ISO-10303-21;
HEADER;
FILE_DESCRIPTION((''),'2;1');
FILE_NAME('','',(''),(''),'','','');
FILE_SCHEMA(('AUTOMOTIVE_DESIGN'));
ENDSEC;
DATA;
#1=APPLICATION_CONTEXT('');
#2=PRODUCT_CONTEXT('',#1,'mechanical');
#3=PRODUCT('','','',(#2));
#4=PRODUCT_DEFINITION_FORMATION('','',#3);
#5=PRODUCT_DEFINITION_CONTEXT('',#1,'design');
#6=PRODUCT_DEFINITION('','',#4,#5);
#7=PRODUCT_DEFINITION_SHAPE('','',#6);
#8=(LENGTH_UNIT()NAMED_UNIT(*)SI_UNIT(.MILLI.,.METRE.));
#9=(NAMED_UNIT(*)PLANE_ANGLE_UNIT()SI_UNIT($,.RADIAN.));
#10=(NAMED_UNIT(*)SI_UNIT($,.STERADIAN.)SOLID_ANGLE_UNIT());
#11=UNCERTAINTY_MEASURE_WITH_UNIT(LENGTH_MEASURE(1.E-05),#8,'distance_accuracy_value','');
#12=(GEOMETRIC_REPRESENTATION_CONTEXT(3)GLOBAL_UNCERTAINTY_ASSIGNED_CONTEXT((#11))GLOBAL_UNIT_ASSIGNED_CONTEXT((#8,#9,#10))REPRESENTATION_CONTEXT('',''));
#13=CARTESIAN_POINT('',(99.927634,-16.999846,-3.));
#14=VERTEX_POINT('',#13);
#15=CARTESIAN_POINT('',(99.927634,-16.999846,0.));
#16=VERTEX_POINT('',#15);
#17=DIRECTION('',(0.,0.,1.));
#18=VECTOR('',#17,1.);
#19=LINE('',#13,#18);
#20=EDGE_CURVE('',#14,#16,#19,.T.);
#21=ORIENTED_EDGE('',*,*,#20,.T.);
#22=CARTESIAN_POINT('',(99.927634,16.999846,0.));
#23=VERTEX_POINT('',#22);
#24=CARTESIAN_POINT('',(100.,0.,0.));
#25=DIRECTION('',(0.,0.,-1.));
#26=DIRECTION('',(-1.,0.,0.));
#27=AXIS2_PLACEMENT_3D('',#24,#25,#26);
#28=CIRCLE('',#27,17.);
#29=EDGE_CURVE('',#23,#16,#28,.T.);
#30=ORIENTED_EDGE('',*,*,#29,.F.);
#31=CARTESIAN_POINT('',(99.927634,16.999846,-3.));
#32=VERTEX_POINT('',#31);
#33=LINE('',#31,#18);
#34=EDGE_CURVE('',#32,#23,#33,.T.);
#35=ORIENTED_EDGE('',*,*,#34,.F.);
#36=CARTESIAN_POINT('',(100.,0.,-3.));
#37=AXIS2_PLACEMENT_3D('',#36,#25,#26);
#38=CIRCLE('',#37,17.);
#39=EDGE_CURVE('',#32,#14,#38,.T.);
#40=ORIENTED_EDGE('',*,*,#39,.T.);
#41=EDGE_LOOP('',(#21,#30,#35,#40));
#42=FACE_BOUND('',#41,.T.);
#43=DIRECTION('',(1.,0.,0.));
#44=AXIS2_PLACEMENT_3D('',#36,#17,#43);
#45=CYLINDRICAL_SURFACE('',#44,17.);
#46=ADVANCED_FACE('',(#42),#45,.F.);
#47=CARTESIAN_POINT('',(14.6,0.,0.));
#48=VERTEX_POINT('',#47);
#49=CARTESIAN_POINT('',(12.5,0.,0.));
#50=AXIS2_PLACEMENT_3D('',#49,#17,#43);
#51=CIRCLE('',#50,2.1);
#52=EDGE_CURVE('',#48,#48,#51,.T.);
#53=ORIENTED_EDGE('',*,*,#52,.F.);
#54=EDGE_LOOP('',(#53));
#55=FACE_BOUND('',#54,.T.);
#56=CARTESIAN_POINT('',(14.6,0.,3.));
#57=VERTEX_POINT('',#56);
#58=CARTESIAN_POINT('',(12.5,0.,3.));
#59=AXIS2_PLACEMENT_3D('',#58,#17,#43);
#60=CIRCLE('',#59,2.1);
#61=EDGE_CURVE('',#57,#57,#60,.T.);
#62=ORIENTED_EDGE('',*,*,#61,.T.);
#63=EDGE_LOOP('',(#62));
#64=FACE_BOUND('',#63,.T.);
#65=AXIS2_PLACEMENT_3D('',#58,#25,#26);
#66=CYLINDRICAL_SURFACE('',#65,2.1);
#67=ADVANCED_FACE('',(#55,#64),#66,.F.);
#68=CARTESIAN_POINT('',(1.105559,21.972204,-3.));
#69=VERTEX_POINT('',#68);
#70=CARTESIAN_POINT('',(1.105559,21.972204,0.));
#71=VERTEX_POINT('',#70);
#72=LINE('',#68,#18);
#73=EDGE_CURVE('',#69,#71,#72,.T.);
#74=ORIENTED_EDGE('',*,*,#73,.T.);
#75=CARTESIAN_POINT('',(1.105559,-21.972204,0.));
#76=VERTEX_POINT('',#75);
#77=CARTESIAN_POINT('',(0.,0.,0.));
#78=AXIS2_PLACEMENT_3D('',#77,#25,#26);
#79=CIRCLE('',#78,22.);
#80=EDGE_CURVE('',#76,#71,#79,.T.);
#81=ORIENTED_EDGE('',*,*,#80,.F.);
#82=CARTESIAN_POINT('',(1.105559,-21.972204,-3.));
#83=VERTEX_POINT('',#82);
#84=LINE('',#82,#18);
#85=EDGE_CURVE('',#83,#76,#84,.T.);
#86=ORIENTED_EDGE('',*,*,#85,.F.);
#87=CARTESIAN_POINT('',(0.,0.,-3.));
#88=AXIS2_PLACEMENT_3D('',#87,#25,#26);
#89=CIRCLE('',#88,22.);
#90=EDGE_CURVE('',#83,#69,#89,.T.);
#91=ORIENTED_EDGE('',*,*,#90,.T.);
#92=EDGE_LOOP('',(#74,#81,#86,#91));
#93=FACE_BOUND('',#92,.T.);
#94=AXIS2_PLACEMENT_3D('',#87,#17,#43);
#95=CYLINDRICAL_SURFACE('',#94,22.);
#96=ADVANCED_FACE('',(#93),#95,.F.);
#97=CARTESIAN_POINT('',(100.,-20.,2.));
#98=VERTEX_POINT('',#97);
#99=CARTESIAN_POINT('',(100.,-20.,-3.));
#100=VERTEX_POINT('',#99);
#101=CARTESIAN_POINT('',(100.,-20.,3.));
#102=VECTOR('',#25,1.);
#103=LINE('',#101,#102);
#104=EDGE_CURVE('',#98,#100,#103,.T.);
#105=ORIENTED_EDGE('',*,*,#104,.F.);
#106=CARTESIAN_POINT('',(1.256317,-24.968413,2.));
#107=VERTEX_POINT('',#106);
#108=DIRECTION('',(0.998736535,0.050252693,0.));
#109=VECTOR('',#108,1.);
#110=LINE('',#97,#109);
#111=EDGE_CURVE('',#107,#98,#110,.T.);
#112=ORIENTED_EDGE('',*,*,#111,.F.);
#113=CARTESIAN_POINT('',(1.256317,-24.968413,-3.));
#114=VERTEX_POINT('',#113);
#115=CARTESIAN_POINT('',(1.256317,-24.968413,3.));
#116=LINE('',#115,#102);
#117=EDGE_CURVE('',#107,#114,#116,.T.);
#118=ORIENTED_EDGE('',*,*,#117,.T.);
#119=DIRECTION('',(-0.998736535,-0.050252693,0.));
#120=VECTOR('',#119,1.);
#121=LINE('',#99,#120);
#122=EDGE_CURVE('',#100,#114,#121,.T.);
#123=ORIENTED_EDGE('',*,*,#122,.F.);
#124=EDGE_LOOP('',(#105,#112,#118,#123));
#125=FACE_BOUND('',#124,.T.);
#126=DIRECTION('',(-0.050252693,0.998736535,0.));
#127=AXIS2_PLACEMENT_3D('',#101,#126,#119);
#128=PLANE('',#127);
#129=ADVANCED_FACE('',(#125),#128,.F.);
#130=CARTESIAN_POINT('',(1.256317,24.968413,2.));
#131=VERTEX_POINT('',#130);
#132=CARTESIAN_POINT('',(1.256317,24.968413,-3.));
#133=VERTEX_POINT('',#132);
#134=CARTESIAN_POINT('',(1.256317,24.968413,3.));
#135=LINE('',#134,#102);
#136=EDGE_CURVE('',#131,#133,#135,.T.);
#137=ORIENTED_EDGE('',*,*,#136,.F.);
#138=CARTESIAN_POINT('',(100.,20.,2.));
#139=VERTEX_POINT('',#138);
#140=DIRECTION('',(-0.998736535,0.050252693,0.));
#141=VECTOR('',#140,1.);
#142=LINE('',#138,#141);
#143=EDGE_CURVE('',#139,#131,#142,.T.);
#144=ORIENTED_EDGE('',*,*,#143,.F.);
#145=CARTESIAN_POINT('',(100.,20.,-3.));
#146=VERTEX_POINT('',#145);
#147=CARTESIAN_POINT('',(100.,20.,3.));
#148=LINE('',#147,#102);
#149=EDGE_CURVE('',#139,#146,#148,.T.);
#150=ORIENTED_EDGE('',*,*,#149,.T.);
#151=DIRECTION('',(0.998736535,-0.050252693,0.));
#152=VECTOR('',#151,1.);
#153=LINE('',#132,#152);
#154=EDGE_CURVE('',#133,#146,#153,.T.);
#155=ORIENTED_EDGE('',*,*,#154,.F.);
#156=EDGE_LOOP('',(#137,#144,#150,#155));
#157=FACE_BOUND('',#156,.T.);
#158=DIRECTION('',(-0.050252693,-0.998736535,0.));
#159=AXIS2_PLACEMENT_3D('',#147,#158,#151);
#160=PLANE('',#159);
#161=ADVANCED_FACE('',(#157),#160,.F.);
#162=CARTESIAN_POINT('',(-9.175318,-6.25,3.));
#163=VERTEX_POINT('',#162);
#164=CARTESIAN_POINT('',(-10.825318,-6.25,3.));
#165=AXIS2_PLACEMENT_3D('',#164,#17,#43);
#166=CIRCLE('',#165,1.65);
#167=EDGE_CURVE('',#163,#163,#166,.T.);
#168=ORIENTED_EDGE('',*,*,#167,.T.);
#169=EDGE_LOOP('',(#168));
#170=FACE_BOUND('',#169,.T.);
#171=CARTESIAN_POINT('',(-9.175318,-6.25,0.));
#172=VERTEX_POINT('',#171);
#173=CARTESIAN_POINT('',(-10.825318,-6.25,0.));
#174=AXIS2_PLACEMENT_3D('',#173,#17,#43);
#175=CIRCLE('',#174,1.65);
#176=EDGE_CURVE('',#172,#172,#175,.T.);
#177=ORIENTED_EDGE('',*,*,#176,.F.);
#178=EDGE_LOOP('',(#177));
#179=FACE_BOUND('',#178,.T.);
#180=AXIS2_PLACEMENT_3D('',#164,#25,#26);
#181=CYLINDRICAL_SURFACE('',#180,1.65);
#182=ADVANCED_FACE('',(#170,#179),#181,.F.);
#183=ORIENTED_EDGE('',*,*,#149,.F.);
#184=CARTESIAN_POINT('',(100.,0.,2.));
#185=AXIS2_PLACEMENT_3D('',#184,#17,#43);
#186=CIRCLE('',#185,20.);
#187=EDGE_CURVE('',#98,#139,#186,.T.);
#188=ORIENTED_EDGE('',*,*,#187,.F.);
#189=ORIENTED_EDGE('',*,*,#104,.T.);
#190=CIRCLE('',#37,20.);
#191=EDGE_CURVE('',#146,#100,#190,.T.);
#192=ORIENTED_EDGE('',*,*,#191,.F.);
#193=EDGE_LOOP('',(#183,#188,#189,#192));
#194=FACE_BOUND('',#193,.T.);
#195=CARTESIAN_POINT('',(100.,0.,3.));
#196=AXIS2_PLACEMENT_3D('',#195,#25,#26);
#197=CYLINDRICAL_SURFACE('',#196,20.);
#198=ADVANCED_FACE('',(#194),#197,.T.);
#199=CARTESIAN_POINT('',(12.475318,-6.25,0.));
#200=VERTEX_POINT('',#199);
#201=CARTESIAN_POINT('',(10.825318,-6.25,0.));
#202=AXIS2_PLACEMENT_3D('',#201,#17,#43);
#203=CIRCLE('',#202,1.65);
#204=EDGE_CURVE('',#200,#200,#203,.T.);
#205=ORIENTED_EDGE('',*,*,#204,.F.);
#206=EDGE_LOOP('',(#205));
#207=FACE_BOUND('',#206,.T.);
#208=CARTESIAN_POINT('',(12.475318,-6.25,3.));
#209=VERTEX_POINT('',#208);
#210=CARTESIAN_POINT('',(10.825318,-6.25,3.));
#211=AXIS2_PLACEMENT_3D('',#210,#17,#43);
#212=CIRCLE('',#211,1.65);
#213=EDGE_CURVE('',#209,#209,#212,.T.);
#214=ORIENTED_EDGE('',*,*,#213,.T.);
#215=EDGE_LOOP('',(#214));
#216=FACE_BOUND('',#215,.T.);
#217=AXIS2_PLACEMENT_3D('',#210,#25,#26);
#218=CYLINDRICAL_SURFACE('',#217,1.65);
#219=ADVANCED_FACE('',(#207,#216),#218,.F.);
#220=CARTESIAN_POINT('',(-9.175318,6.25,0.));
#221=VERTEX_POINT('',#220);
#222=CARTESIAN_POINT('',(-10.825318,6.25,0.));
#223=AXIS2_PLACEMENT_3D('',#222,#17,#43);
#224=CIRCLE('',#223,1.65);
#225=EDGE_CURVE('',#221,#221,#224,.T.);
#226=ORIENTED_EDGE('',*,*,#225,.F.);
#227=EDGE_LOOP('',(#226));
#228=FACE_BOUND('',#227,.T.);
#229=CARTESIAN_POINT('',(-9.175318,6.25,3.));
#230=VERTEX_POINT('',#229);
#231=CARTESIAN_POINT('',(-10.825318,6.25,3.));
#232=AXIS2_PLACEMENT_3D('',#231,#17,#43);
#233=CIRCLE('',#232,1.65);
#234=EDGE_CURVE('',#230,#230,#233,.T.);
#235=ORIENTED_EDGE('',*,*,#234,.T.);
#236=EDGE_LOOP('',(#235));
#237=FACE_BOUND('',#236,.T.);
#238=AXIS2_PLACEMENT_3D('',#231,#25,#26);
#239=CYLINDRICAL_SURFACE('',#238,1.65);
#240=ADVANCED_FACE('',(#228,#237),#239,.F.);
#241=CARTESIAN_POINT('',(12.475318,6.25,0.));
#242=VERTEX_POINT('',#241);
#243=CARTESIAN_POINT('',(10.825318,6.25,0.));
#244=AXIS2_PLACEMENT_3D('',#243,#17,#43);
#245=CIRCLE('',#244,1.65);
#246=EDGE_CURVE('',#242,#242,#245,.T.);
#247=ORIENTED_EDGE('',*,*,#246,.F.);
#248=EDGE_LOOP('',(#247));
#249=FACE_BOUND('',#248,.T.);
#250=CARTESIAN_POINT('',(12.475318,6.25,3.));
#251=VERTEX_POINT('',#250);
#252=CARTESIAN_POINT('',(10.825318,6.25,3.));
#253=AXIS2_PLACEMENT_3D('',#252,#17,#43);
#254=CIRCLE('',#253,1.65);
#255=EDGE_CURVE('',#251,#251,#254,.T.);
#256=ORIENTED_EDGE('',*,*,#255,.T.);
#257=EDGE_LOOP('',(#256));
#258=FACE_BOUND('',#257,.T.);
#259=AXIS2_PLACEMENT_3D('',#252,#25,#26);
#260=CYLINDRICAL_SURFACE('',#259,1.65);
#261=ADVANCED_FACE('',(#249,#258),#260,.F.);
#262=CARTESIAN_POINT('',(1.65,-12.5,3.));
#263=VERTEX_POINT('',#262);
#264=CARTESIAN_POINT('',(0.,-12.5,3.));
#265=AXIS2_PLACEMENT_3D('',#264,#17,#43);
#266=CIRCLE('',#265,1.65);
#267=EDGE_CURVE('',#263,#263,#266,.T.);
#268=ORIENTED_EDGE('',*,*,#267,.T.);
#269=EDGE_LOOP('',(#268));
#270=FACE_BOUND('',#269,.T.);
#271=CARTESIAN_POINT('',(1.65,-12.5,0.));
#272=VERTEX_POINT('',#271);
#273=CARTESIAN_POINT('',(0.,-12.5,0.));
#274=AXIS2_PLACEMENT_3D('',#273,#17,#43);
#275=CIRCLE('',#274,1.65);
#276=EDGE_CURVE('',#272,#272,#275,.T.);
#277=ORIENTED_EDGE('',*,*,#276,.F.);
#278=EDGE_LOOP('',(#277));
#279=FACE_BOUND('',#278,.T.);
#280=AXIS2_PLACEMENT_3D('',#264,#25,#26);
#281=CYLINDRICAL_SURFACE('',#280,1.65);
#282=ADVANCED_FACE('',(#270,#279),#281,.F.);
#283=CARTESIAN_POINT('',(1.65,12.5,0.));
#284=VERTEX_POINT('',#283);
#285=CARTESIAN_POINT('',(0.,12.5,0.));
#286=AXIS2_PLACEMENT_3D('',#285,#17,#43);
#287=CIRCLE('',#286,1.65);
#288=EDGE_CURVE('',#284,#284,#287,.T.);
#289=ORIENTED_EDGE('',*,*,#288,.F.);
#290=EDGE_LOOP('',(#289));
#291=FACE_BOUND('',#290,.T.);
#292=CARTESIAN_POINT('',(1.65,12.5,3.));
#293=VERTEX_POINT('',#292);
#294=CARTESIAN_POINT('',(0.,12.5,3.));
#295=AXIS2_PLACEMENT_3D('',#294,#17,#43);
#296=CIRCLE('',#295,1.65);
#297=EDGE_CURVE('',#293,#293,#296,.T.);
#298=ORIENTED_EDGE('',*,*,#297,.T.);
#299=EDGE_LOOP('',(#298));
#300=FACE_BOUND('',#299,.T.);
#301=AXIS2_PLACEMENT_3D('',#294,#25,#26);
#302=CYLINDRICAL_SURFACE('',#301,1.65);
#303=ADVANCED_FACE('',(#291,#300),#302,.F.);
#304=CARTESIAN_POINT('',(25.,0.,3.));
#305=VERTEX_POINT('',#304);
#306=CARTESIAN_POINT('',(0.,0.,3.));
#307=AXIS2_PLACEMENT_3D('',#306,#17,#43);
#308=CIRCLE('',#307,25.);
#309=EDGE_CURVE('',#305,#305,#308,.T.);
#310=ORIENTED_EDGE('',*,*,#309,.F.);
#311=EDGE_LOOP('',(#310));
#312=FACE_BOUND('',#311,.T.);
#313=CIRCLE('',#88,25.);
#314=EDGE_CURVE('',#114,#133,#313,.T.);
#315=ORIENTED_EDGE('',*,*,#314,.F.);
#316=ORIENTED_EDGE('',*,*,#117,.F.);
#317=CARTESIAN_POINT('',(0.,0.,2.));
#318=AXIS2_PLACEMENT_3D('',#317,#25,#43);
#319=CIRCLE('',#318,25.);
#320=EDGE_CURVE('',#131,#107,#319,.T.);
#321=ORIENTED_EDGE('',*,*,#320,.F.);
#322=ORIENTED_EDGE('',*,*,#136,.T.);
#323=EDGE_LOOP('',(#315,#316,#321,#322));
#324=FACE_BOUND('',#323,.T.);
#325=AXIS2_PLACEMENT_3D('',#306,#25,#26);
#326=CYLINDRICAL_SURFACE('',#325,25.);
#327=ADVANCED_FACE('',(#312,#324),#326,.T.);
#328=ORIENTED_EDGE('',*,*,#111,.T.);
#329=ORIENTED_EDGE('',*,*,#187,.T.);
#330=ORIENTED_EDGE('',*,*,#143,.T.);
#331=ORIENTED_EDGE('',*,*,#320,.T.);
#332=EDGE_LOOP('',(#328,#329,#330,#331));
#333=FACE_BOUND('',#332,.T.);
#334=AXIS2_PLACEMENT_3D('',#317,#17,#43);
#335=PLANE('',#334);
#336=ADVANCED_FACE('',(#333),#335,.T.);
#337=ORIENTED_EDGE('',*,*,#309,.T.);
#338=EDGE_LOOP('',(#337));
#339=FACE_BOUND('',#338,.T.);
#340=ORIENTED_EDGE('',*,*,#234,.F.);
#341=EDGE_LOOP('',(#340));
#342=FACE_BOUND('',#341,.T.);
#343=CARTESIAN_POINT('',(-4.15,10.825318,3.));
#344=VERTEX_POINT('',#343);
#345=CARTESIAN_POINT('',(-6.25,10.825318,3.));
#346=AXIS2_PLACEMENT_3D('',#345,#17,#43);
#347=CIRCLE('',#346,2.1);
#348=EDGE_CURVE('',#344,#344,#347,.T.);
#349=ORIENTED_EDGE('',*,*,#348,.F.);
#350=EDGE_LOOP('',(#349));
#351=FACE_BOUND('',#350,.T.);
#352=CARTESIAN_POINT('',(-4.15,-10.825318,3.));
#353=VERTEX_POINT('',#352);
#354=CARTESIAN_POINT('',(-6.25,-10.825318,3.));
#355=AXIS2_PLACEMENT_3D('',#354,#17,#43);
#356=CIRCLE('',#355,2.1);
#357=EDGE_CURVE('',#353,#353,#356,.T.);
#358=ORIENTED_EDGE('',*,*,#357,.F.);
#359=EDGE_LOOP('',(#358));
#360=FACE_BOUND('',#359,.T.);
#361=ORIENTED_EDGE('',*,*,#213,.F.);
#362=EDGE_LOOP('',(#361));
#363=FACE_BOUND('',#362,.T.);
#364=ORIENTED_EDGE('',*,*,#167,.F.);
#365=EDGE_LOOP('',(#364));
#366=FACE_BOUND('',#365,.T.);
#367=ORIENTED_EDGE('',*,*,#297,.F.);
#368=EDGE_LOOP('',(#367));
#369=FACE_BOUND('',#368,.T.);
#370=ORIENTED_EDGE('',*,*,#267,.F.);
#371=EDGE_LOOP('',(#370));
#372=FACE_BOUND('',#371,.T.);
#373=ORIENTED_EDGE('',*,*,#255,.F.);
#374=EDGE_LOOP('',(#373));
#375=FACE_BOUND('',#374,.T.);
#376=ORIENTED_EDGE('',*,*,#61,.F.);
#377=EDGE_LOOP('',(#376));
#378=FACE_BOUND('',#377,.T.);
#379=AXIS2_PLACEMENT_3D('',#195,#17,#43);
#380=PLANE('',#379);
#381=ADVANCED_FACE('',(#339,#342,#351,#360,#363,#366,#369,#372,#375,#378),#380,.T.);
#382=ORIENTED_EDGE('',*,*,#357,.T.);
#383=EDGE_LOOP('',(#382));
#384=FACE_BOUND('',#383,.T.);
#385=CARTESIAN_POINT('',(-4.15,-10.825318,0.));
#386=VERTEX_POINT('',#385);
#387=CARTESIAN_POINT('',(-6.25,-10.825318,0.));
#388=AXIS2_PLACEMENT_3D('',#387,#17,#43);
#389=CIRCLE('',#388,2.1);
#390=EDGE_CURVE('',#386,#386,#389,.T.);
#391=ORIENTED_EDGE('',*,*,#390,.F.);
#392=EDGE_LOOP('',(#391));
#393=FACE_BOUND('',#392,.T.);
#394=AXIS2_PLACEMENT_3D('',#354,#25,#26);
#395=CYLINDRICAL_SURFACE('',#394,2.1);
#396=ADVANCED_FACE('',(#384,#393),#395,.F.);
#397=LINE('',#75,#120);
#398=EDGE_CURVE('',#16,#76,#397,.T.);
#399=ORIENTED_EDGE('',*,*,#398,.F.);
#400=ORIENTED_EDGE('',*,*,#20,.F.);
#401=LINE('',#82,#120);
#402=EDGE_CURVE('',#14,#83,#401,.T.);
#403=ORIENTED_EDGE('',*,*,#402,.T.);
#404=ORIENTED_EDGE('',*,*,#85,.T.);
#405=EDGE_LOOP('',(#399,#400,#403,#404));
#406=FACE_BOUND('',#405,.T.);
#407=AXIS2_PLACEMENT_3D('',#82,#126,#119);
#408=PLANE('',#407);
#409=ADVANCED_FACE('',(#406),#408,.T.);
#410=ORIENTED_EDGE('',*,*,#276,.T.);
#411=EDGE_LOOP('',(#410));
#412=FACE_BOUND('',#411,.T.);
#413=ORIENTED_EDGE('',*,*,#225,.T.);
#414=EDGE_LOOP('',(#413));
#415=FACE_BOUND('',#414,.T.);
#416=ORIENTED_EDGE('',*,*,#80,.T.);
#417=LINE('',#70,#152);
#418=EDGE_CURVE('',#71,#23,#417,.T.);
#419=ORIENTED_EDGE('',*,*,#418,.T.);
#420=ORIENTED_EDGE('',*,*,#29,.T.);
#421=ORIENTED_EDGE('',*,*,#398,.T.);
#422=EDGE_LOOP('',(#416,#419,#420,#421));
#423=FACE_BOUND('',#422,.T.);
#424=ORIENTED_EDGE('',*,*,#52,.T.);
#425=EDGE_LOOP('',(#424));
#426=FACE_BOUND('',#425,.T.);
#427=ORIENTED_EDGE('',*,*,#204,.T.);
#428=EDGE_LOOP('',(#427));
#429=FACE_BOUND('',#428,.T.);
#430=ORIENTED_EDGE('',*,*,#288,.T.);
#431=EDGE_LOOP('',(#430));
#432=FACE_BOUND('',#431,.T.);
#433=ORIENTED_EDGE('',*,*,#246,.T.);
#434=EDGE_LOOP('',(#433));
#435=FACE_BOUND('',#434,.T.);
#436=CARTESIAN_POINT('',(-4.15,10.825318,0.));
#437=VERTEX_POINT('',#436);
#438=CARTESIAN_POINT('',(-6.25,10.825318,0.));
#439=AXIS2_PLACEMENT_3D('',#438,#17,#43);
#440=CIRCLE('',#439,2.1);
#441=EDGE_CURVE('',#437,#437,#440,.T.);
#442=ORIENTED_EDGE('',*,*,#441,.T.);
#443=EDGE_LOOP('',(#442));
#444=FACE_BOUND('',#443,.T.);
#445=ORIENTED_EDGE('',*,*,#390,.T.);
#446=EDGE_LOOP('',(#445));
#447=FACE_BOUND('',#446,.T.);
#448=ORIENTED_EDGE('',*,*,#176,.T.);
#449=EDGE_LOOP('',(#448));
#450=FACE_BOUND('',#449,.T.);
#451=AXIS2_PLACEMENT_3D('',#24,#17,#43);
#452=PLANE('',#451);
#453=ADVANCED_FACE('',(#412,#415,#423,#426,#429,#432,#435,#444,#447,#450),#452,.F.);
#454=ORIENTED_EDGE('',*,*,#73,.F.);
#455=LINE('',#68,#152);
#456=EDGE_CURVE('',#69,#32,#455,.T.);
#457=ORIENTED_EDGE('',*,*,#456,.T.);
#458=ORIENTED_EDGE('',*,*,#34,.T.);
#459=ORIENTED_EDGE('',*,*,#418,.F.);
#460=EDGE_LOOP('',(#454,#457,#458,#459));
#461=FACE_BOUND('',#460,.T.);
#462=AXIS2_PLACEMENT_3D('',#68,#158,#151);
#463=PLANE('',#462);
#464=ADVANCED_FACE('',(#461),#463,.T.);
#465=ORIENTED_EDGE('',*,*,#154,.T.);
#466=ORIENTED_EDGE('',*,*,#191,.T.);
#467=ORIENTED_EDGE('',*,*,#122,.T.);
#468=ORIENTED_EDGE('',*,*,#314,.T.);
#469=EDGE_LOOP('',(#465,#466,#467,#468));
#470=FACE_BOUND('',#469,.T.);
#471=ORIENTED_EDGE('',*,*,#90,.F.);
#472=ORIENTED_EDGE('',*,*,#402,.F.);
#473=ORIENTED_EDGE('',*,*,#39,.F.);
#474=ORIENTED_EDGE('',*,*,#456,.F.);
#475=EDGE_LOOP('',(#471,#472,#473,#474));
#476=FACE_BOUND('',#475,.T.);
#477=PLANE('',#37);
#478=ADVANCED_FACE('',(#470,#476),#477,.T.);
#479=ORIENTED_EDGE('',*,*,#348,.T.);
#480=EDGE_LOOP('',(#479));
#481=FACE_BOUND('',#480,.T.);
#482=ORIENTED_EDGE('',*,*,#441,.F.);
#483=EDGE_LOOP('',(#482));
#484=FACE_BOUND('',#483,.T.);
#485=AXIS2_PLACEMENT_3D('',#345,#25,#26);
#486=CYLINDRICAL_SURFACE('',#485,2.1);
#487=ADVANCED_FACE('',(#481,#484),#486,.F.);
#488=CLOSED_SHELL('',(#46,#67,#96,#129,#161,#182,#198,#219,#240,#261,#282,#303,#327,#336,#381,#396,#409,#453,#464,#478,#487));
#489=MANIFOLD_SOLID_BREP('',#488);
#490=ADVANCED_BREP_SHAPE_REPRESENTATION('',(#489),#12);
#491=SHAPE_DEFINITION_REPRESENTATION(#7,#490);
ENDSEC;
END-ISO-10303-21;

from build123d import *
from build123d.topology import SkipClean

# Parameters (mm, degrees)
SKETCH_1_R          = 1.65
SKETCH_1_R_2        = 2.1
EXTRUDE_1_DEPTH     = 3
CUT_EXTRUDE_START   = -1
CUT_EXTRUDE_1_DEPTH = 1
EXTRUDE_START       = 3
EXTRUDE_2_DEPTH     = 3


with BuildPart() as part:
    # 草图1 → 凸台-拉伸1 (new body)
    with BuildSketch(Plane.XY):
        with BuildLine():
            Line((100, 20), (1.256317324, 24.968413381))
            ThreePointArc((1.256317324, 24.968413381), (-25, 0), (1.256317324, -24.968413381))
            Line((1.256317324, -24.968413381), (100, -20))
            ThreePointArc((100, -20), (120, 0), (100, 20))
        make_face()
        with Locations((0, 12.5)):
            Circle(SKETCH_1_R, mode=Mode.SUBTRACT)
        with Locations((10.825317547, 6.25)):
            Circle(SKETCH_1_R, mode=Mode.SUBTRACT)
        with Locations((10.825317547, -6.25)):
            Circle(SKETCH_1_R, mode=Mode.SUBTRACT)
        with Locations((0, -12.5)):
            Circle(SKETCH_1_R, mode=Mode.SUBTRACT)
        with Locations((-10.825317547, -6.25)):
            Circle(SKETCH_1_R, mode=Mode.SUBTRACT)
        with Locations((-10.825317547, 6.25)):
            Circle(SKETCH_1_R, mode=Mode.SUBTRACT)
        with Locations((12.5, 0)):
            Circle(SKETCH_1_R_2, mode=Mode.SUBTRACT)
        with Locations((-6.25, -10.825317547)):
            Circle(SKETCH_1_R_2, mode=Mode.SUBTRACT)
        with Locations((-6.25, 10.825317547)):
            Circle(SKETCH_1_R_2, mode=Mode.SUBTRACT)
    extrude(amount=EXTRUDE_1_DEPTH)

    # 草图2 → 切除-拉伸1 (cut)
    with BuildSketch(Plane.XY.offset(3).offset(CUT_EXTRUDE_START)):
        with BuildLine():
            Line((0, -25), (16.441406611, -41.341506065))
            Line((16.441406611, -41.341506065), (118.326184248, -37.878892612))
            Line((118.326184248, -37.878892612), (135.744179189, 2.203481288))
            Line((135.744179189, 2.203481288), (127.035181718, 31.058593389))
            Line((127.035181718, 31.058593389), (19.589237022, 36.095122046))
            Line((19.589237022, 36.095122046), (0, 25))
            ThreePointArc((0, 25), (25, 0), (0, -25))
        make_face()
    extrude(amount=CUT_EXTRUDE_1_DEPTH, mode=Mode.SUBTRACT)

    # 草图3 → 凸台-拉伸2 (add)
    with SkipClean():  # the faces are left unmerged after this step: merging them gives an invalid solid
        with BuildSketch(Plane(origin=(0, 0, 0), x_dir=(-1, 0, 0), z_dir=(0, 0, -1)).offset(EXTRUDE_START)):
            with BuildLine():
                Line((-100, -20), (-1.256317324, -24.968413381))
                ThreePointArc((-1.256317324, -24.968413381), (25, 0), (-1.256317324, 24.968413381))
                Line((-1.256317324, 24.968413381), (-100, 20))
                ThreePointArc((-100, 20), (-120, 0), (-100, -20))
            make_face()
            with BuildLine():
                Line((-1.105559245, 21.972203776), (-99.92763442, 16.999845976))
                ThreePointArc((-99.92763442, 16.999845976), (-117, 0), (-99.92763442, -16.999845976))
                Line((-99.92763442, -16.999845976), (-1.105559245, -21.972203776))
                ThreePointArc((-1.105559245, -21.972203776), (22, 0), (-1.105559245, 21.972203776))
            make_face(mode=Mode.SUBTRACT)
        extrude(amount=-EXTRUDE_2_DEPTH)


solid = part.part
